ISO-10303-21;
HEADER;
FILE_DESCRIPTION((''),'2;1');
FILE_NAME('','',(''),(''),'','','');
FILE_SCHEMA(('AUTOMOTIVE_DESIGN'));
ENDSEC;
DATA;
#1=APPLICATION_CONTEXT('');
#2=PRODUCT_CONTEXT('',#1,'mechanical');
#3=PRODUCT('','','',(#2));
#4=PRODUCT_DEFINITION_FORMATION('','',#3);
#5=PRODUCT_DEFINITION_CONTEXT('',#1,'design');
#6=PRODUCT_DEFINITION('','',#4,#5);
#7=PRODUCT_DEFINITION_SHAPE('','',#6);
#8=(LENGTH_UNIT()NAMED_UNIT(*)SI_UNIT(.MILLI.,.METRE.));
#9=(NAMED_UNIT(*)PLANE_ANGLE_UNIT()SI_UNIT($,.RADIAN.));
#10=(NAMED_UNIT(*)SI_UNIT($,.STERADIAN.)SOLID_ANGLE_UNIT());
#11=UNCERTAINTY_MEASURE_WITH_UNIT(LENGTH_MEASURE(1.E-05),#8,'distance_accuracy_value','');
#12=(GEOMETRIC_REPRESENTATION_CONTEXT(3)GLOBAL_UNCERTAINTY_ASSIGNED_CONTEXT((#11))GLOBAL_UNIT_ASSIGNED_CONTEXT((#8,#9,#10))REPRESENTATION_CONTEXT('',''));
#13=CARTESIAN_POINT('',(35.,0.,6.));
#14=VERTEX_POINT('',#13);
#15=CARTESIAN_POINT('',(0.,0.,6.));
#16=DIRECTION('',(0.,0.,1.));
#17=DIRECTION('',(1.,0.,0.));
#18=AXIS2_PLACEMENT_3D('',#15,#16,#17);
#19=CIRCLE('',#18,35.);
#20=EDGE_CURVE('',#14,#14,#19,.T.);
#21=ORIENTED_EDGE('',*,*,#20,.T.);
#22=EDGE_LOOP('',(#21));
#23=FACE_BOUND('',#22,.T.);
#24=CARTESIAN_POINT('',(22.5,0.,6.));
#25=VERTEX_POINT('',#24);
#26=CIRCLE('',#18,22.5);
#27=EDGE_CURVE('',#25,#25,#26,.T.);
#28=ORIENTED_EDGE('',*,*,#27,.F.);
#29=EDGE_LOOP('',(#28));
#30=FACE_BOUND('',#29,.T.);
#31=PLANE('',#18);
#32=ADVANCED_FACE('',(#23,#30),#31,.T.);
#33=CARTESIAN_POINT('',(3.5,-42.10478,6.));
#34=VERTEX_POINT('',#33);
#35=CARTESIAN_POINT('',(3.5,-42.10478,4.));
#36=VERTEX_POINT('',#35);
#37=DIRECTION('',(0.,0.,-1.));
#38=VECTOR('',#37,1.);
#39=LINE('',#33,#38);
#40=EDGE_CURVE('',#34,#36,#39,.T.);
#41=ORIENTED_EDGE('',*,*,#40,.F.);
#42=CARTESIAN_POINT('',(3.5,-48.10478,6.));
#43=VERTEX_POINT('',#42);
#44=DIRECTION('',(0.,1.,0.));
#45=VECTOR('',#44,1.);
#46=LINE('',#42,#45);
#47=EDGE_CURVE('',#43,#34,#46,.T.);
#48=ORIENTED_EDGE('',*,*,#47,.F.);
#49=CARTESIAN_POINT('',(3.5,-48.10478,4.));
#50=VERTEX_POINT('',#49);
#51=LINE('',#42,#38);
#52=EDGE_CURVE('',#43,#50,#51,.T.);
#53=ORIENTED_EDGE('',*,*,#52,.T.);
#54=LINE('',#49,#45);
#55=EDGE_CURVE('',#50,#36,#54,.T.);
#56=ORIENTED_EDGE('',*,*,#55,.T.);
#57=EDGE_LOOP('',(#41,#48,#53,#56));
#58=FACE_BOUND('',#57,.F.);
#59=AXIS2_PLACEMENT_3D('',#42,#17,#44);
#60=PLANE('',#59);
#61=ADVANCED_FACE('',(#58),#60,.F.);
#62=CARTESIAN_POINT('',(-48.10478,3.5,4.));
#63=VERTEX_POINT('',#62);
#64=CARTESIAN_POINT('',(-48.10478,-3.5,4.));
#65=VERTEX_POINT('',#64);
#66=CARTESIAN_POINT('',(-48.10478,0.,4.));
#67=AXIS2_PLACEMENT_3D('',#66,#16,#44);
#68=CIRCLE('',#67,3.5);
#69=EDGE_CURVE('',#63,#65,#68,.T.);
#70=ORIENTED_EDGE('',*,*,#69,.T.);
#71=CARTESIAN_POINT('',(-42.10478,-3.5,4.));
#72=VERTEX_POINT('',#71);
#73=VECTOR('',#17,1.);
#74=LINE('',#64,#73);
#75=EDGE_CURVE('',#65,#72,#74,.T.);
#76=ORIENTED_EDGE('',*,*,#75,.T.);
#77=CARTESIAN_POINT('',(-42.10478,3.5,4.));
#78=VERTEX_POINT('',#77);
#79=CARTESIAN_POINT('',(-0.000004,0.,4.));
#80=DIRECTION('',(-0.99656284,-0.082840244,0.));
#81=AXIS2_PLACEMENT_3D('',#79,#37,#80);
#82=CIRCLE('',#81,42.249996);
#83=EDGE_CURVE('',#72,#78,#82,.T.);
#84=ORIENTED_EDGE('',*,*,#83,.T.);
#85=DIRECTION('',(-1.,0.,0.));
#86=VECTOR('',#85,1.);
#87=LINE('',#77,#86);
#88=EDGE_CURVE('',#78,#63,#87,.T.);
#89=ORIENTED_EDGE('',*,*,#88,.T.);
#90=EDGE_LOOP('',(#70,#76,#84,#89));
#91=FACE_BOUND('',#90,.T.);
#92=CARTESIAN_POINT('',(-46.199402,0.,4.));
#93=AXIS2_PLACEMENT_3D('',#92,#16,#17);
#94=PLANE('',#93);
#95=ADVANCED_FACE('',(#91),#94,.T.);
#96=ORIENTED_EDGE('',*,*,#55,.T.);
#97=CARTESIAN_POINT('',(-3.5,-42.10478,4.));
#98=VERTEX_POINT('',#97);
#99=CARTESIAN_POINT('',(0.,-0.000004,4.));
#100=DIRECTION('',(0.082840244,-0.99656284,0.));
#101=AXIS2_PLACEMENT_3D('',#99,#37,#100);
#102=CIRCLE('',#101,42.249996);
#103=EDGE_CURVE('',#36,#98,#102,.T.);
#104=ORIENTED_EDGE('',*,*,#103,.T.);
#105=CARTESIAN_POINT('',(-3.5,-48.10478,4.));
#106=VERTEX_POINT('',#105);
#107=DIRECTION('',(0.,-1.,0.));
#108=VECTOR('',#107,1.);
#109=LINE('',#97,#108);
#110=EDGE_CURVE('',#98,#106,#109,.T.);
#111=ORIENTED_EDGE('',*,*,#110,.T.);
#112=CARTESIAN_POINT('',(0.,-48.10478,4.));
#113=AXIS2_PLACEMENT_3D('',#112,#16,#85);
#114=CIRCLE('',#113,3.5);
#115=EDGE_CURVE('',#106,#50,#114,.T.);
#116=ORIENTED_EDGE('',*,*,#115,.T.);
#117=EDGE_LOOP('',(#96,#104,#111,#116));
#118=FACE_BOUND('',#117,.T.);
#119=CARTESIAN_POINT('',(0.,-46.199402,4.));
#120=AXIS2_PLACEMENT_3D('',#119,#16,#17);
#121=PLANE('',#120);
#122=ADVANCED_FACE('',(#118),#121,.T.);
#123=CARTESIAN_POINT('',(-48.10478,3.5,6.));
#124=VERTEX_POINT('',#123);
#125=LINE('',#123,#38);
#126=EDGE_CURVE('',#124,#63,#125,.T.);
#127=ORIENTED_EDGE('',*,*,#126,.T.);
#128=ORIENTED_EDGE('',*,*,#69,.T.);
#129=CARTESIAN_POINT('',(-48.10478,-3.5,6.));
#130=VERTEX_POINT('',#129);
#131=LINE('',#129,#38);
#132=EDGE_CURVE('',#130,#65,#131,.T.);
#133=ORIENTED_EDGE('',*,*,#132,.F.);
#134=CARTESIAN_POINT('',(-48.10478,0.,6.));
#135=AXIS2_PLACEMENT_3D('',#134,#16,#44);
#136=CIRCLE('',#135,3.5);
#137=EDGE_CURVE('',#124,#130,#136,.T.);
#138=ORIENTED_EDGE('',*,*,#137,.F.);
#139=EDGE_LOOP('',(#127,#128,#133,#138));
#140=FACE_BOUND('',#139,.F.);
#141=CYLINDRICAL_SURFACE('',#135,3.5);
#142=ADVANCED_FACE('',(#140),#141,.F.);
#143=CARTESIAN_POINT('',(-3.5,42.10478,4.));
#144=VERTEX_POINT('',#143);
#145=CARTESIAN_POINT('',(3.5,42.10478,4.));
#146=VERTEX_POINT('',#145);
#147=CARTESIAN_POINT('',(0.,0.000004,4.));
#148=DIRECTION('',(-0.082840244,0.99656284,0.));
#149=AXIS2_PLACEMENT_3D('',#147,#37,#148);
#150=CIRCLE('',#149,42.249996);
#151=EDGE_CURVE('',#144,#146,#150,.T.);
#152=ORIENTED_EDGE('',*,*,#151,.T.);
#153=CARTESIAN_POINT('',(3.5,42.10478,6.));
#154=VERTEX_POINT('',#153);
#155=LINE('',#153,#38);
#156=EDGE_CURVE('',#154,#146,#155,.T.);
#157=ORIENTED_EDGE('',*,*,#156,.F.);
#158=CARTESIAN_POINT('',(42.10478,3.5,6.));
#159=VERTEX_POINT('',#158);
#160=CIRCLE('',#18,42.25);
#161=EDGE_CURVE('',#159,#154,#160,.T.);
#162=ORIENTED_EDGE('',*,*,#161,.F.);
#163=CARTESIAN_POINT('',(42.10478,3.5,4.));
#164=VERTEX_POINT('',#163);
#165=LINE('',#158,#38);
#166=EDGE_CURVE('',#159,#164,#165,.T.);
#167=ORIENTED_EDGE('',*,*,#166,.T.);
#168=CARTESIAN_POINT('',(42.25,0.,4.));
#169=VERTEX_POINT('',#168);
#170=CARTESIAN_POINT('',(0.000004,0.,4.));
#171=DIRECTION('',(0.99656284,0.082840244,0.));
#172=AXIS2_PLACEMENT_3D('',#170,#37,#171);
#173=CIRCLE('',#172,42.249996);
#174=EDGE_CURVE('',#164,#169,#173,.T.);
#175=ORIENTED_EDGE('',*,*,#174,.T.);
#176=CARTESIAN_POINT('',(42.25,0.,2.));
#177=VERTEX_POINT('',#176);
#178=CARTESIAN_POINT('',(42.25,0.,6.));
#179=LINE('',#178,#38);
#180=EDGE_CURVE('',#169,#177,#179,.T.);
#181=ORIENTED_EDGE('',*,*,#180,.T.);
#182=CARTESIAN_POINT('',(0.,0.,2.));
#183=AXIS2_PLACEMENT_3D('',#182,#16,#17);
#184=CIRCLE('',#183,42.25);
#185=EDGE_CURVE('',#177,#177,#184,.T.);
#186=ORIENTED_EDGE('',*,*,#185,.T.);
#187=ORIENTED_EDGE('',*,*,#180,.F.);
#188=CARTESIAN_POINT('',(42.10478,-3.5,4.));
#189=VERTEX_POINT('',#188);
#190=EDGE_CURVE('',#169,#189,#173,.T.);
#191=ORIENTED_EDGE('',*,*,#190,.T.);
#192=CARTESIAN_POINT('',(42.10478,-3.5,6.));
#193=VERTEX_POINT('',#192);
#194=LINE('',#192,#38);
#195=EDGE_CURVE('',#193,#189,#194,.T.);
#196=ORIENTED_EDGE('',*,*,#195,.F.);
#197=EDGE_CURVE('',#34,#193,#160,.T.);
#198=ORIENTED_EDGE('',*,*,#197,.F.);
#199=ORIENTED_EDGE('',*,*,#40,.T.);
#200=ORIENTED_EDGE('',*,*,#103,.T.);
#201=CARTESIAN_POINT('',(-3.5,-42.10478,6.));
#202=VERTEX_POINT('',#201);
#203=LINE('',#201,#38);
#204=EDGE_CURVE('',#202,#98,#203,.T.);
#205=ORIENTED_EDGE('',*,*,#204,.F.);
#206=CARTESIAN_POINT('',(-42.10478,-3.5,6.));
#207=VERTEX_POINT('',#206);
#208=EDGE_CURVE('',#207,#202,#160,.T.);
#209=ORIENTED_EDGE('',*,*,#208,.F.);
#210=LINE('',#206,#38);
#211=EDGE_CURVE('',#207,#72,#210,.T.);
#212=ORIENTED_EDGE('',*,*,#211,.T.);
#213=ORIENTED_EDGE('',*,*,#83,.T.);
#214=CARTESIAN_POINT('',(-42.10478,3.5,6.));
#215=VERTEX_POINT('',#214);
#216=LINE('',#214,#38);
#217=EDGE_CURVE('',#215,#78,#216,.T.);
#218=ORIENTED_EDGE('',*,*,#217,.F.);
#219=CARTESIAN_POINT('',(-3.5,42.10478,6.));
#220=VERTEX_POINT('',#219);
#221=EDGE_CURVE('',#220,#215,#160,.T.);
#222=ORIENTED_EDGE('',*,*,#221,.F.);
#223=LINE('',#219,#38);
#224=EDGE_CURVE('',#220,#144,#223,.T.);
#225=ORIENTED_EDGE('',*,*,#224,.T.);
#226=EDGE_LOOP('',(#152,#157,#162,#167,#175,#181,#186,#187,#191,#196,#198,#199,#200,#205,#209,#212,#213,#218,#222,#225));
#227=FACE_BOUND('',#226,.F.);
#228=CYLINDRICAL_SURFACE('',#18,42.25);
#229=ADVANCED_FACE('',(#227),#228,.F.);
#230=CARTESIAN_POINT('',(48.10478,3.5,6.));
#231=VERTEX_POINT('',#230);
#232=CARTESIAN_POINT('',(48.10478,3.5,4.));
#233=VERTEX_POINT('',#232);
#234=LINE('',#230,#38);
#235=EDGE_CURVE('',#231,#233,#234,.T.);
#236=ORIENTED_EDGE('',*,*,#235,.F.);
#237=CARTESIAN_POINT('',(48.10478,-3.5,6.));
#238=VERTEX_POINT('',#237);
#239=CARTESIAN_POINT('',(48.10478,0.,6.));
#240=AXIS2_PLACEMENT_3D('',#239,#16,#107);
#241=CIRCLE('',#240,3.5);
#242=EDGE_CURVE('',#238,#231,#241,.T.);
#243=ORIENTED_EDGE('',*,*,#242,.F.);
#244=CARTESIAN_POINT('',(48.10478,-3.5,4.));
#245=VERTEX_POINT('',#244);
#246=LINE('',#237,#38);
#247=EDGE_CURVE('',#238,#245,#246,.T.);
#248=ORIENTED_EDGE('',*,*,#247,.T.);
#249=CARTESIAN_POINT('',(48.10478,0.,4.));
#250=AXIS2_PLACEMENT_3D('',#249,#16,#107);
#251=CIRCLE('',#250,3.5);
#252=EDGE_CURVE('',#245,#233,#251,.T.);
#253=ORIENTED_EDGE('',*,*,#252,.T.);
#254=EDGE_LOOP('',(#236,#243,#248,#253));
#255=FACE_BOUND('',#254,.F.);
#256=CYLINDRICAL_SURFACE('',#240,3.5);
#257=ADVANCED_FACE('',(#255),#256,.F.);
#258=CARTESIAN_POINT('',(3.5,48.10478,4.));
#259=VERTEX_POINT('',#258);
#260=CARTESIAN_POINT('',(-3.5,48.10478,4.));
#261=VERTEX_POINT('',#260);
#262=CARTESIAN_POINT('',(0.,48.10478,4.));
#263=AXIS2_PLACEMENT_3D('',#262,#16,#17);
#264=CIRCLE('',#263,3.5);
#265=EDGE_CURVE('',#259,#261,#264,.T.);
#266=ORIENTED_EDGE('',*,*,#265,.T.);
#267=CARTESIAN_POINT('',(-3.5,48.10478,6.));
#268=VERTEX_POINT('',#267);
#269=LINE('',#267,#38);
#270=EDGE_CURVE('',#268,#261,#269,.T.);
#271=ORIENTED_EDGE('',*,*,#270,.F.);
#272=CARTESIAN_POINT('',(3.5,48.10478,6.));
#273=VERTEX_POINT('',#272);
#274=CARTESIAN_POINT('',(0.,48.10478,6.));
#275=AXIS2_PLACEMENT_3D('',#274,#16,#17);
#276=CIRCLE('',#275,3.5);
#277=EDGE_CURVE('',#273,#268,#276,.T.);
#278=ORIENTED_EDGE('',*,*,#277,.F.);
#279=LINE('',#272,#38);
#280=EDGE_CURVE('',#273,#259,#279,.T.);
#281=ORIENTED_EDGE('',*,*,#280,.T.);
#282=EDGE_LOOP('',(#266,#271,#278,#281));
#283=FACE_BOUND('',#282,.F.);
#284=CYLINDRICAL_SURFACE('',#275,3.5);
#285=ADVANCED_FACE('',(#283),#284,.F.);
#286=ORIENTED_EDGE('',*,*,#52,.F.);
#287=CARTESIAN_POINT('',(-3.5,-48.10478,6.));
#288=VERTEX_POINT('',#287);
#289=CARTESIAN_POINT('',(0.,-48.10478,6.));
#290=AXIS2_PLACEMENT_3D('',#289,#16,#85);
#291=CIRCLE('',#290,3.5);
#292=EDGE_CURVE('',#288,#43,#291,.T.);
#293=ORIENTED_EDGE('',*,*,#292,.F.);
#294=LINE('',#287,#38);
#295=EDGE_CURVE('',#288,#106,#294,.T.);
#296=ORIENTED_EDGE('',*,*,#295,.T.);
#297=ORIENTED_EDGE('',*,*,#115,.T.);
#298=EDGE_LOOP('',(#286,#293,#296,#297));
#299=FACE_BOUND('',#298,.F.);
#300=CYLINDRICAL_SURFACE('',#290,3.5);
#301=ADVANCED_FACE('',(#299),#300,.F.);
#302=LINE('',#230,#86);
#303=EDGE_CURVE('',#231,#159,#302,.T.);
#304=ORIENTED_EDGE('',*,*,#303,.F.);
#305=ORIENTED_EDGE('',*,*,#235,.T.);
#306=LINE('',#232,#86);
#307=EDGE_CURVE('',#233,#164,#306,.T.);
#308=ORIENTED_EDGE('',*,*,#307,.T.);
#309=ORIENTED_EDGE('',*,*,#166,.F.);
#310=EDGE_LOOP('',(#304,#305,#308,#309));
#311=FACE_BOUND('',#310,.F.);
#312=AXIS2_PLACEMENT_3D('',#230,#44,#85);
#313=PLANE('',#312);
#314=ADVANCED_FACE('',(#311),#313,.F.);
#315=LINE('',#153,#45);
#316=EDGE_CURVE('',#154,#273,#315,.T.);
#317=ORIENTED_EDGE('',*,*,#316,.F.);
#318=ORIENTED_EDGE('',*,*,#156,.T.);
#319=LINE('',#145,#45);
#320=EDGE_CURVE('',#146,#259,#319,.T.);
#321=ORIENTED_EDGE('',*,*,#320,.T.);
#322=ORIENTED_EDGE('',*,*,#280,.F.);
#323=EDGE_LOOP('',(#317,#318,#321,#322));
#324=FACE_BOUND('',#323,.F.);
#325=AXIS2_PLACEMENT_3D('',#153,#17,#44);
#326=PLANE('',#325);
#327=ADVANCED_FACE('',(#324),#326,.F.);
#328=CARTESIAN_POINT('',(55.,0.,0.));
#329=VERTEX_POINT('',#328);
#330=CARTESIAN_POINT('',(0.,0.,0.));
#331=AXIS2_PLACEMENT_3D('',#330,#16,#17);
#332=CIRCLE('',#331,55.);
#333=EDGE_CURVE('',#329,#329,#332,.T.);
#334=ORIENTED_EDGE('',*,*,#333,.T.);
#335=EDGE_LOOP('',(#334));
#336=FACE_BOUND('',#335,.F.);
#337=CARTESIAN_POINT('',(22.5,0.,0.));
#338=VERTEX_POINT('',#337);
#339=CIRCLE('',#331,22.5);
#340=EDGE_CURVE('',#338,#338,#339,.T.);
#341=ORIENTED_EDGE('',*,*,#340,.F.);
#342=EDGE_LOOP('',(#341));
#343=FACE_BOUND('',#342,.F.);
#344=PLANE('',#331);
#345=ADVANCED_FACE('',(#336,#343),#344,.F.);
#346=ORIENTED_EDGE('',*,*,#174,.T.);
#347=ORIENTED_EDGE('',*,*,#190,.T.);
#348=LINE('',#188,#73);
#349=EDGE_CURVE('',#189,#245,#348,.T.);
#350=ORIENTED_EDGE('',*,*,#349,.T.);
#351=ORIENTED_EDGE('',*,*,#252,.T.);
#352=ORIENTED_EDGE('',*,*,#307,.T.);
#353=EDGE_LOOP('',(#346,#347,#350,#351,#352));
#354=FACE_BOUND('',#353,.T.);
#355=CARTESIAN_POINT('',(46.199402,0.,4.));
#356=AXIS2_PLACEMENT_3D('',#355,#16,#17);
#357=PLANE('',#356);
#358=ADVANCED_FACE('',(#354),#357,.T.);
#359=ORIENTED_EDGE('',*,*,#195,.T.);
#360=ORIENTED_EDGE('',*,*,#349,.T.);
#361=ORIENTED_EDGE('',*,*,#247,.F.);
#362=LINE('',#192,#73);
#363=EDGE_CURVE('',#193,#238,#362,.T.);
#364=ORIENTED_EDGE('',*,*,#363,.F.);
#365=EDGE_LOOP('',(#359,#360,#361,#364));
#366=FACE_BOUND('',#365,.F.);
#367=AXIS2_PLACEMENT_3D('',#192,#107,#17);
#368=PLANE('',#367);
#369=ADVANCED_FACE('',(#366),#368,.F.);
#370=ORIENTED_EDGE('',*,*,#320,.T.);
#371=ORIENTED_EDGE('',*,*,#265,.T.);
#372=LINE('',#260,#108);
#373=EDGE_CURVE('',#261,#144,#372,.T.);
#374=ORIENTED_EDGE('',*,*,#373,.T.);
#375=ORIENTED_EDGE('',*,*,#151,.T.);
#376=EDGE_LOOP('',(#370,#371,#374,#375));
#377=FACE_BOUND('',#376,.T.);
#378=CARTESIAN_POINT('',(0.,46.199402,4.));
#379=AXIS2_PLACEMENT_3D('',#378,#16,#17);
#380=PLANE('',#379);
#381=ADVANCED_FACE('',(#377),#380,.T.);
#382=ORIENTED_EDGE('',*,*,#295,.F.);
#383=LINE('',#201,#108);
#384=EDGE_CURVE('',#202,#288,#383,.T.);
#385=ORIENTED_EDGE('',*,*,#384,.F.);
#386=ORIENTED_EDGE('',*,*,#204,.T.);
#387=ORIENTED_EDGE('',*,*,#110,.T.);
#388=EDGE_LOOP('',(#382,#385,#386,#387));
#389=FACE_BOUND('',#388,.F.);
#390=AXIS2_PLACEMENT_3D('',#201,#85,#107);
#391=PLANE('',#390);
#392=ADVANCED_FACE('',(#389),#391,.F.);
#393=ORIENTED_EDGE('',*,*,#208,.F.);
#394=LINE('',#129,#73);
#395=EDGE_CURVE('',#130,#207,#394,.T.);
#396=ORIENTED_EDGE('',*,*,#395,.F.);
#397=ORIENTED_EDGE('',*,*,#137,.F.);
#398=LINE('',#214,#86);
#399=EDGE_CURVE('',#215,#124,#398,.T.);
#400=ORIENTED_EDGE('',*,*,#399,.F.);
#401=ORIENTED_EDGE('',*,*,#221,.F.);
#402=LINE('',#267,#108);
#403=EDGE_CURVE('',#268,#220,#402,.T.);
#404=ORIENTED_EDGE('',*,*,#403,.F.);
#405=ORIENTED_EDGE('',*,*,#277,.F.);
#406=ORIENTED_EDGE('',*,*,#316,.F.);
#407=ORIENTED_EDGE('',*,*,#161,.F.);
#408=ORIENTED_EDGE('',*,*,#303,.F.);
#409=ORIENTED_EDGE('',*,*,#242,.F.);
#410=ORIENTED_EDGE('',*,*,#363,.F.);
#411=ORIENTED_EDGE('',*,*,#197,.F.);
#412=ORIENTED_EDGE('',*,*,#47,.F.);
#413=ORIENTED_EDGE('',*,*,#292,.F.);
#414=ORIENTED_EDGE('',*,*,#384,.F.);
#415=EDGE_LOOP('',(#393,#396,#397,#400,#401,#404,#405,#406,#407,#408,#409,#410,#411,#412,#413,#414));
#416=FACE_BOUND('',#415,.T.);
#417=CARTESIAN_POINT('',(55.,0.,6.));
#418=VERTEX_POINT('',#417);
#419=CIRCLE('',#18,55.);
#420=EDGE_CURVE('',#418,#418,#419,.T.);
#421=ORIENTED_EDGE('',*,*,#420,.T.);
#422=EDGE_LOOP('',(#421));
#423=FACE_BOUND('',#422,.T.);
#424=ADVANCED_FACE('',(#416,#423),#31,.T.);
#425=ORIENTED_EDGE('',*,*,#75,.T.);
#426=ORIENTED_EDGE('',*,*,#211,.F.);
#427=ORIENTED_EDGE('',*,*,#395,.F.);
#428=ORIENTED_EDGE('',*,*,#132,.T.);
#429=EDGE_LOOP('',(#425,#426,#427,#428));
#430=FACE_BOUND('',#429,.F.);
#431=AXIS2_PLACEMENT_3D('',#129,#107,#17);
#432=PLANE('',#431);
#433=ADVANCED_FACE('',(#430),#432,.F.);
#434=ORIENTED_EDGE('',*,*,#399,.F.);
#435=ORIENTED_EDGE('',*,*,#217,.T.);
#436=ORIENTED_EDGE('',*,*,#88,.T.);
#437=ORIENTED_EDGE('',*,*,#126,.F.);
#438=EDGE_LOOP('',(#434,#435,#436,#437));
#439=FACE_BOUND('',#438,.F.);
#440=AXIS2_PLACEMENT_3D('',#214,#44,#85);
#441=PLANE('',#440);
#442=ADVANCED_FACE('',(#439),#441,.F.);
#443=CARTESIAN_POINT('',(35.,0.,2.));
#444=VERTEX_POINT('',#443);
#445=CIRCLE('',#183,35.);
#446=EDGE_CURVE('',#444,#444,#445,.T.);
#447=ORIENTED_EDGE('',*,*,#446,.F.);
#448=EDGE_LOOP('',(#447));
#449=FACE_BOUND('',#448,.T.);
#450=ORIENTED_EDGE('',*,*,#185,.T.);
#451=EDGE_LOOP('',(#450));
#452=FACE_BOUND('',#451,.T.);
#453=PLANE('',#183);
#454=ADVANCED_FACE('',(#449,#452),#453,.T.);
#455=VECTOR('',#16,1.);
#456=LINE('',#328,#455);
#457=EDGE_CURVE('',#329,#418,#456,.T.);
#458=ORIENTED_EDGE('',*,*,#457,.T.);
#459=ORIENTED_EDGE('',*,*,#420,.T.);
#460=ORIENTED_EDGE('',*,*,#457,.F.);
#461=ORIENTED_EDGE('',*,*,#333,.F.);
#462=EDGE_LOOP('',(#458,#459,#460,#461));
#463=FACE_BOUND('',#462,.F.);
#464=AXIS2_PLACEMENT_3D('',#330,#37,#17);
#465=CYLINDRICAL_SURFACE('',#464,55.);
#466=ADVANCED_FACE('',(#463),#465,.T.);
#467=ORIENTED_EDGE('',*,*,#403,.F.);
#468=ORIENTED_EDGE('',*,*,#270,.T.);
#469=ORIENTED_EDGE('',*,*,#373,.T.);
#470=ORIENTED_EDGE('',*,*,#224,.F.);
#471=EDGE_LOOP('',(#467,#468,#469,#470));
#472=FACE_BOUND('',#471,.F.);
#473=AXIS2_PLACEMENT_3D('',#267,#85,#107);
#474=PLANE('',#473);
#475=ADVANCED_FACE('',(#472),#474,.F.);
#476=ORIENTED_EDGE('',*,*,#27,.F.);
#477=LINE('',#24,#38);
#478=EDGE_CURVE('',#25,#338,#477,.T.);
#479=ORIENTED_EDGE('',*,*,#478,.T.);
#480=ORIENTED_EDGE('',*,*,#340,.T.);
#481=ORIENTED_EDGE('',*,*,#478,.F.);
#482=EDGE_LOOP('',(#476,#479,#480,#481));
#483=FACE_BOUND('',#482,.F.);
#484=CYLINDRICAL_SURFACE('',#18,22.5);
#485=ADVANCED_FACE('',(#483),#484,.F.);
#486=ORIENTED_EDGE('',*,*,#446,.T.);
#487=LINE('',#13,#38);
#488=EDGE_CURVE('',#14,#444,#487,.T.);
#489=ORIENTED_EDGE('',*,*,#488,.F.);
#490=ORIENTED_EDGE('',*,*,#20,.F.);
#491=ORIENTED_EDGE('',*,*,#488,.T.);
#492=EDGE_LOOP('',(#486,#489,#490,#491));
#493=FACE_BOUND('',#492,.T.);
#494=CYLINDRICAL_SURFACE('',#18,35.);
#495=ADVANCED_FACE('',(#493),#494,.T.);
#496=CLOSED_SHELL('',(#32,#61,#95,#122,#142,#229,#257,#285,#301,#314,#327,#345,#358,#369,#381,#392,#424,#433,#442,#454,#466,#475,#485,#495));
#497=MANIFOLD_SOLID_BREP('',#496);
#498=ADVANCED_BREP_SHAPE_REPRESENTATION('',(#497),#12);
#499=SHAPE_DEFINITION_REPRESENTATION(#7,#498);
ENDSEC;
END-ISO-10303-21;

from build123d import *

# Parameters (mm, degrees)
F0_R     = 55
F1_DEPTH = 6
F2_R     = 42.25
F2_R_2   = 35
F3_DEPTH = 4
F5_DEPTH = 2
F6_R     = 22.5
F7_DEPTH = 6.001


with BuildPart() as f1:
    # F0 (on Top) → F1 (new body)
    with BuildSketch(Plane.XY):
        Circle(F0_R)
    extrude(amount=F1_DEPTH)

    # F2 (on face) → F3 (cut)
    with BuildSketch(Plane.XY.offset(6)):
        Circle(F2_R)
        Circle(F2_R_2, mode=Mode.SUBTRACT)
    extrude(amount=-F3_DEPTH, mode=Mode.SUBTRACT)

    # F4 (on face) → F5 (cut)
    with BuildSketch(Plane.XY.offset(6)):
        with BuildLine():
            Line((-3.5, 48.10478), (-3.5, 42.10478))
            ThreePointArc((-3.5, 42.10478), (0, 42.25), (3.5, 42.10478))
            Line((3.5, 42.10478), (3.5, 48.10478))
            ThreePointArc((3.5, 48.10478), (0, 51.60478), (-3.5, 48.10478))
        make_face()
        with BuildLine():
            Line((-48.10478, -3.5), (-42.10478, -3.5))
            ThreePointArc((-42.10478, -3.5), (-42.25, 0), (-42.10478, 3.5))
            Line((-42.10478, 3.5), (-48.10478, 3.5))
            ThreePointArc((-48.10478, 3.5), (-51.60478, 0), (-48.10478, -3.5))
        make_face()
        with BuildLine():
            Line((3.5, -48.10478), (3.5, -42.10478))
            ThreePointArc((3.5, -42.10478), (0, -42.25), (-3.5, -42.10478))
            Line((-3.5, -42.10478), (-3.5, -48.10478))
            ThreePointArc((-3.5, -48.10478), (0, -51.60478), (3.5, -48.10478))
        make_face()
        with BuildLine():
            Line((48.10478, 3.5), (42.10478, 3.5))
            ThreePointArc((42.10478, 3.5), (42.25, 0), (42.10478, -3.5))
            Line((42.10478, -3.5), (48.10478, -3.5))
            ThreePointArc((48.10478, -3.5), (51.60478, 0), (48.10478, 3.5))
        make_face()
    extrude(amount=-F5_DEPTH, mode=Mode.SUBTRACT)

    # F6 (on face) → F7 (cut, through all)
    with BuildSketch(Plane.XY.offset(6)):
        Circle(F6_R)
    extrude(amount=-F7_DEPTH, mode=Mode.SUBTRACT)


solid = f1.part
